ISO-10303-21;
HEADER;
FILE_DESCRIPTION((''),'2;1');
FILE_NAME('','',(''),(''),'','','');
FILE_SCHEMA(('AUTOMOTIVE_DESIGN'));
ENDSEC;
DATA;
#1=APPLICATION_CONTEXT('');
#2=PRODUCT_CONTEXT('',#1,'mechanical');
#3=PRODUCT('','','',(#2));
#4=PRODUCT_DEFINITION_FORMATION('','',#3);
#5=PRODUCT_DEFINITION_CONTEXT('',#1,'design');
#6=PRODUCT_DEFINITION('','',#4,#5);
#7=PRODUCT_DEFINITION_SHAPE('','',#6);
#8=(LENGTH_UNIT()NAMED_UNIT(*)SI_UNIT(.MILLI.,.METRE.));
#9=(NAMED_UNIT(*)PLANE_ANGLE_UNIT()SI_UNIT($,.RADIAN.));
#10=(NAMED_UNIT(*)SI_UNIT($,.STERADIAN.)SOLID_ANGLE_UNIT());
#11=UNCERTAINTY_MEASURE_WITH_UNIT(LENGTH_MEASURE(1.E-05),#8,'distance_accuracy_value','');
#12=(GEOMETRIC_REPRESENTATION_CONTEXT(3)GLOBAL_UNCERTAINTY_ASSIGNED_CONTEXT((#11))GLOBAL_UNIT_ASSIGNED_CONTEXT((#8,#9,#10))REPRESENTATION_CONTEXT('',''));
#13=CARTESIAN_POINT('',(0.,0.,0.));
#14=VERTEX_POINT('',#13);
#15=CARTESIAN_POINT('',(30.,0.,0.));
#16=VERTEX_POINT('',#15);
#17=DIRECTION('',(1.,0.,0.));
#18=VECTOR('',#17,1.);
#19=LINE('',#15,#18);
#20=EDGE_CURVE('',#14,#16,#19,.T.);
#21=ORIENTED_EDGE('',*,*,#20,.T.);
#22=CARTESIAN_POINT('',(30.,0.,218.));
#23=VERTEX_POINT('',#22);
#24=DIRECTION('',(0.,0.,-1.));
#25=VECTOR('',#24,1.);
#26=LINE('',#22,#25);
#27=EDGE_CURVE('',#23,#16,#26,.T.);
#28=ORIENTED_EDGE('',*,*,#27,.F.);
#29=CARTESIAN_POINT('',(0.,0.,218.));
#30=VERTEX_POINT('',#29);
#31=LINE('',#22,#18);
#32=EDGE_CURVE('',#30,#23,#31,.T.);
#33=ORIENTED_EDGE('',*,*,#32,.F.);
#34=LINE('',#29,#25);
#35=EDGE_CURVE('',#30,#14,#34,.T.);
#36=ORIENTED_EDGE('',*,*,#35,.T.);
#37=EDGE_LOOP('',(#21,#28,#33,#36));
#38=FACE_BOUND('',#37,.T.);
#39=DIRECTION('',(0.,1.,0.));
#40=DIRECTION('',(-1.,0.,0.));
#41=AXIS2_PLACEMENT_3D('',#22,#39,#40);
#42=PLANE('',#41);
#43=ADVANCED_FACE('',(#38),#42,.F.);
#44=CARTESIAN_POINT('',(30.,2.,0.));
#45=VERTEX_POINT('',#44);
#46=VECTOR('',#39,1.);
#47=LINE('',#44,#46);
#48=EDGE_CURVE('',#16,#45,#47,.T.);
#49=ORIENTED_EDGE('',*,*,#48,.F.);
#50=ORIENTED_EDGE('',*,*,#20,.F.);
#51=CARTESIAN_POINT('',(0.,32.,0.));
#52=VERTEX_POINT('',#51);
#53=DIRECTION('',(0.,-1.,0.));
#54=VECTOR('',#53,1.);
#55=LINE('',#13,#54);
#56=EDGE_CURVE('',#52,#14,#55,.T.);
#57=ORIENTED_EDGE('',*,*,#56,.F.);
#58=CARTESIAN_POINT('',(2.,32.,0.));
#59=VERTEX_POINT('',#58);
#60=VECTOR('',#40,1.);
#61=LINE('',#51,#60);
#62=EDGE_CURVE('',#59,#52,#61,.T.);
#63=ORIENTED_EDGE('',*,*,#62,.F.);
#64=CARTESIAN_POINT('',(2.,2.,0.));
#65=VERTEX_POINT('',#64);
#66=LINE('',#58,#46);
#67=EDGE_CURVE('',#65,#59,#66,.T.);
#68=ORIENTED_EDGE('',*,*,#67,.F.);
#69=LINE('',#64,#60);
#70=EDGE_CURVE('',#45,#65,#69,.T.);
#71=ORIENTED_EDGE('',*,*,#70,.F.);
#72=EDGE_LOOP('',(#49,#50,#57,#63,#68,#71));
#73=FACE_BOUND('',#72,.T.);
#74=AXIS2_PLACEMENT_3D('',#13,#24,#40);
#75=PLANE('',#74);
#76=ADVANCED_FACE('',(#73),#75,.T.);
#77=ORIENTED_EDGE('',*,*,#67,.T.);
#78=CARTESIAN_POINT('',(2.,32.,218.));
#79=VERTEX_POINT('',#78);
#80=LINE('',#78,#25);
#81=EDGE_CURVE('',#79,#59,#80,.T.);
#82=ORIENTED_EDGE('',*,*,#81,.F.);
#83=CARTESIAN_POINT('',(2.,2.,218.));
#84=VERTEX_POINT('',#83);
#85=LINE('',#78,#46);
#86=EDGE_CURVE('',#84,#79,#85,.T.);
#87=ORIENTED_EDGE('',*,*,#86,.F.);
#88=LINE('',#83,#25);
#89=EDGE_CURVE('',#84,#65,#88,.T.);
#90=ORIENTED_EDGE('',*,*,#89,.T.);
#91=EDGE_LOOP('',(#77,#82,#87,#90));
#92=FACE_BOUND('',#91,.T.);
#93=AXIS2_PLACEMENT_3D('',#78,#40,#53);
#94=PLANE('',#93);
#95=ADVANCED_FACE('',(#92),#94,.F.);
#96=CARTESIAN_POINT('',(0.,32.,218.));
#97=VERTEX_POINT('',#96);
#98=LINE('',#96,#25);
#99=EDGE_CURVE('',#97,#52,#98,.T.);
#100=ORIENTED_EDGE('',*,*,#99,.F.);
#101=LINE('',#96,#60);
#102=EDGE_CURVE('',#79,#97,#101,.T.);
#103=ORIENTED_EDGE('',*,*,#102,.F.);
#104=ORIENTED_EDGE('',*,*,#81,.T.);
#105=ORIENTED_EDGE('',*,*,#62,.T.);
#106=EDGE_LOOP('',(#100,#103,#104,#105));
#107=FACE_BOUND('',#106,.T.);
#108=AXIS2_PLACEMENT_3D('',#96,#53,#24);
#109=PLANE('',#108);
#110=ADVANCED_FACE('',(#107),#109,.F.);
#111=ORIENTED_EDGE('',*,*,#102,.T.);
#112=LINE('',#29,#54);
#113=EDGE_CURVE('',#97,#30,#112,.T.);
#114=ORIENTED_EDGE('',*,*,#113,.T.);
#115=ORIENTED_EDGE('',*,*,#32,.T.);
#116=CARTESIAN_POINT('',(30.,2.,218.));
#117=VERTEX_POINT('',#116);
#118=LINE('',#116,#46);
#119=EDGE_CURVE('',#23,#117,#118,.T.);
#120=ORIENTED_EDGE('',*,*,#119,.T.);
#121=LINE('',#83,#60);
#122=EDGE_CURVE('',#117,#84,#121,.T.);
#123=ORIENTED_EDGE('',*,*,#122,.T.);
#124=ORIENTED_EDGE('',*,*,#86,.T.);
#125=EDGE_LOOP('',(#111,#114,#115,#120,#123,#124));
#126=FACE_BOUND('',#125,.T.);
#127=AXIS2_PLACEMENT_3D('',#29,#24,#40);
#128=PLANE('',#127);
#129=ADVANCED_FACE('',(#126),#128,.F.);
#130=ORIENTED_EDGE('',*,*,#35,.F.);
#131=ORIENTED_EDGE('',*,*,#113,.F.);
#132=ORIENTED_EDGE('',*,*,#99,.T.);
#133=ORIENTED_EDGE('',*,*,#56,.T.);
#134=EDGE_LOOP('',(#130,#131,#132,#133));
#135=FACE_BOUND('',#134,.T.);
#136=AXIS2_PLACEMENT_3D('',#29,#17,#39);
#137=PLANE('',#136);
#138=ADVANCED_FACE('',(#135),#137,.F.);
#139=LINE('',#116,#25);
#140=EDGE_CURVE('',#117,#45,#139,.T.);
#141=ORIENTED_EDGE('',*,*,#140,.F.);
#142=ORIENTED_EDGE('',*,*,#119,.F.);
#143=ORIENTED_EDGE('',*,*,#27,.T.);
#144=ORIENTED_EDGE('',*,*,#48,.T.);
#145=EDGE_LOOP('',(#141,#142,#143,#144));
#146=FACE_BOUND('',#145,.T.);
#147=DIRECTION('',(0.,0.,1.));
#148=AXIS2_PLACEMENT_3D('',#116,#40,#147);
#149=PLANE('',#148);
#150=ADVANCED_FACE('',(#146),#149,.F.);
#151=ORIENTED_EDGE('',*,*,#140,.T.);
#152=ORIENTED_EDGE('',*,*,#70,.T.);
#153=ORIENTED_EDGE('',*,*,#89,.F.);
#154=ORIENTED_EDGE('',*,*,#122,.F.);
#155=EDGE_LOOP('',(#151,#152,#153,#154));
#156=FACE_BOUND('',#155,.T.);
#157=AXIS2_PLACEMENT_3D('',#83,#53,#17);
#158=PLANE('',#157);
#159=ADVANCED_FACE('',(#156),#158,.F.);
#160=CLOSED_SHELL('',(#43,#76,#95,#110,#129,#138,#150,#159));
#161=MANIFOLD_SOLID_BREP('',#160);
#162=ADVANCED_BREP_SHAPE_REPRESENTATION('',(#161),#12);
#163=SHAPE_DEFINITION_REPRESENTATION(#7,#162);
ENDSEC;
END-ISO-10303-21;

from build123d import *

# Parameters (mm, degrees)
BOSS_EXTRUDE1_DEPTH = 218


with BuildPart() as part:
    # Sketch1 → Boss-Extrude1 (new body)
    with BuildSketch(Plane.XY):
        Polygon((0, 0), (0, 32), (2, 32), (2, 2), (30, 2), (30, 0), align=None)
    extrude(amount=BOSS_EXTRUDE1_DEPTH)


solid = part.part
